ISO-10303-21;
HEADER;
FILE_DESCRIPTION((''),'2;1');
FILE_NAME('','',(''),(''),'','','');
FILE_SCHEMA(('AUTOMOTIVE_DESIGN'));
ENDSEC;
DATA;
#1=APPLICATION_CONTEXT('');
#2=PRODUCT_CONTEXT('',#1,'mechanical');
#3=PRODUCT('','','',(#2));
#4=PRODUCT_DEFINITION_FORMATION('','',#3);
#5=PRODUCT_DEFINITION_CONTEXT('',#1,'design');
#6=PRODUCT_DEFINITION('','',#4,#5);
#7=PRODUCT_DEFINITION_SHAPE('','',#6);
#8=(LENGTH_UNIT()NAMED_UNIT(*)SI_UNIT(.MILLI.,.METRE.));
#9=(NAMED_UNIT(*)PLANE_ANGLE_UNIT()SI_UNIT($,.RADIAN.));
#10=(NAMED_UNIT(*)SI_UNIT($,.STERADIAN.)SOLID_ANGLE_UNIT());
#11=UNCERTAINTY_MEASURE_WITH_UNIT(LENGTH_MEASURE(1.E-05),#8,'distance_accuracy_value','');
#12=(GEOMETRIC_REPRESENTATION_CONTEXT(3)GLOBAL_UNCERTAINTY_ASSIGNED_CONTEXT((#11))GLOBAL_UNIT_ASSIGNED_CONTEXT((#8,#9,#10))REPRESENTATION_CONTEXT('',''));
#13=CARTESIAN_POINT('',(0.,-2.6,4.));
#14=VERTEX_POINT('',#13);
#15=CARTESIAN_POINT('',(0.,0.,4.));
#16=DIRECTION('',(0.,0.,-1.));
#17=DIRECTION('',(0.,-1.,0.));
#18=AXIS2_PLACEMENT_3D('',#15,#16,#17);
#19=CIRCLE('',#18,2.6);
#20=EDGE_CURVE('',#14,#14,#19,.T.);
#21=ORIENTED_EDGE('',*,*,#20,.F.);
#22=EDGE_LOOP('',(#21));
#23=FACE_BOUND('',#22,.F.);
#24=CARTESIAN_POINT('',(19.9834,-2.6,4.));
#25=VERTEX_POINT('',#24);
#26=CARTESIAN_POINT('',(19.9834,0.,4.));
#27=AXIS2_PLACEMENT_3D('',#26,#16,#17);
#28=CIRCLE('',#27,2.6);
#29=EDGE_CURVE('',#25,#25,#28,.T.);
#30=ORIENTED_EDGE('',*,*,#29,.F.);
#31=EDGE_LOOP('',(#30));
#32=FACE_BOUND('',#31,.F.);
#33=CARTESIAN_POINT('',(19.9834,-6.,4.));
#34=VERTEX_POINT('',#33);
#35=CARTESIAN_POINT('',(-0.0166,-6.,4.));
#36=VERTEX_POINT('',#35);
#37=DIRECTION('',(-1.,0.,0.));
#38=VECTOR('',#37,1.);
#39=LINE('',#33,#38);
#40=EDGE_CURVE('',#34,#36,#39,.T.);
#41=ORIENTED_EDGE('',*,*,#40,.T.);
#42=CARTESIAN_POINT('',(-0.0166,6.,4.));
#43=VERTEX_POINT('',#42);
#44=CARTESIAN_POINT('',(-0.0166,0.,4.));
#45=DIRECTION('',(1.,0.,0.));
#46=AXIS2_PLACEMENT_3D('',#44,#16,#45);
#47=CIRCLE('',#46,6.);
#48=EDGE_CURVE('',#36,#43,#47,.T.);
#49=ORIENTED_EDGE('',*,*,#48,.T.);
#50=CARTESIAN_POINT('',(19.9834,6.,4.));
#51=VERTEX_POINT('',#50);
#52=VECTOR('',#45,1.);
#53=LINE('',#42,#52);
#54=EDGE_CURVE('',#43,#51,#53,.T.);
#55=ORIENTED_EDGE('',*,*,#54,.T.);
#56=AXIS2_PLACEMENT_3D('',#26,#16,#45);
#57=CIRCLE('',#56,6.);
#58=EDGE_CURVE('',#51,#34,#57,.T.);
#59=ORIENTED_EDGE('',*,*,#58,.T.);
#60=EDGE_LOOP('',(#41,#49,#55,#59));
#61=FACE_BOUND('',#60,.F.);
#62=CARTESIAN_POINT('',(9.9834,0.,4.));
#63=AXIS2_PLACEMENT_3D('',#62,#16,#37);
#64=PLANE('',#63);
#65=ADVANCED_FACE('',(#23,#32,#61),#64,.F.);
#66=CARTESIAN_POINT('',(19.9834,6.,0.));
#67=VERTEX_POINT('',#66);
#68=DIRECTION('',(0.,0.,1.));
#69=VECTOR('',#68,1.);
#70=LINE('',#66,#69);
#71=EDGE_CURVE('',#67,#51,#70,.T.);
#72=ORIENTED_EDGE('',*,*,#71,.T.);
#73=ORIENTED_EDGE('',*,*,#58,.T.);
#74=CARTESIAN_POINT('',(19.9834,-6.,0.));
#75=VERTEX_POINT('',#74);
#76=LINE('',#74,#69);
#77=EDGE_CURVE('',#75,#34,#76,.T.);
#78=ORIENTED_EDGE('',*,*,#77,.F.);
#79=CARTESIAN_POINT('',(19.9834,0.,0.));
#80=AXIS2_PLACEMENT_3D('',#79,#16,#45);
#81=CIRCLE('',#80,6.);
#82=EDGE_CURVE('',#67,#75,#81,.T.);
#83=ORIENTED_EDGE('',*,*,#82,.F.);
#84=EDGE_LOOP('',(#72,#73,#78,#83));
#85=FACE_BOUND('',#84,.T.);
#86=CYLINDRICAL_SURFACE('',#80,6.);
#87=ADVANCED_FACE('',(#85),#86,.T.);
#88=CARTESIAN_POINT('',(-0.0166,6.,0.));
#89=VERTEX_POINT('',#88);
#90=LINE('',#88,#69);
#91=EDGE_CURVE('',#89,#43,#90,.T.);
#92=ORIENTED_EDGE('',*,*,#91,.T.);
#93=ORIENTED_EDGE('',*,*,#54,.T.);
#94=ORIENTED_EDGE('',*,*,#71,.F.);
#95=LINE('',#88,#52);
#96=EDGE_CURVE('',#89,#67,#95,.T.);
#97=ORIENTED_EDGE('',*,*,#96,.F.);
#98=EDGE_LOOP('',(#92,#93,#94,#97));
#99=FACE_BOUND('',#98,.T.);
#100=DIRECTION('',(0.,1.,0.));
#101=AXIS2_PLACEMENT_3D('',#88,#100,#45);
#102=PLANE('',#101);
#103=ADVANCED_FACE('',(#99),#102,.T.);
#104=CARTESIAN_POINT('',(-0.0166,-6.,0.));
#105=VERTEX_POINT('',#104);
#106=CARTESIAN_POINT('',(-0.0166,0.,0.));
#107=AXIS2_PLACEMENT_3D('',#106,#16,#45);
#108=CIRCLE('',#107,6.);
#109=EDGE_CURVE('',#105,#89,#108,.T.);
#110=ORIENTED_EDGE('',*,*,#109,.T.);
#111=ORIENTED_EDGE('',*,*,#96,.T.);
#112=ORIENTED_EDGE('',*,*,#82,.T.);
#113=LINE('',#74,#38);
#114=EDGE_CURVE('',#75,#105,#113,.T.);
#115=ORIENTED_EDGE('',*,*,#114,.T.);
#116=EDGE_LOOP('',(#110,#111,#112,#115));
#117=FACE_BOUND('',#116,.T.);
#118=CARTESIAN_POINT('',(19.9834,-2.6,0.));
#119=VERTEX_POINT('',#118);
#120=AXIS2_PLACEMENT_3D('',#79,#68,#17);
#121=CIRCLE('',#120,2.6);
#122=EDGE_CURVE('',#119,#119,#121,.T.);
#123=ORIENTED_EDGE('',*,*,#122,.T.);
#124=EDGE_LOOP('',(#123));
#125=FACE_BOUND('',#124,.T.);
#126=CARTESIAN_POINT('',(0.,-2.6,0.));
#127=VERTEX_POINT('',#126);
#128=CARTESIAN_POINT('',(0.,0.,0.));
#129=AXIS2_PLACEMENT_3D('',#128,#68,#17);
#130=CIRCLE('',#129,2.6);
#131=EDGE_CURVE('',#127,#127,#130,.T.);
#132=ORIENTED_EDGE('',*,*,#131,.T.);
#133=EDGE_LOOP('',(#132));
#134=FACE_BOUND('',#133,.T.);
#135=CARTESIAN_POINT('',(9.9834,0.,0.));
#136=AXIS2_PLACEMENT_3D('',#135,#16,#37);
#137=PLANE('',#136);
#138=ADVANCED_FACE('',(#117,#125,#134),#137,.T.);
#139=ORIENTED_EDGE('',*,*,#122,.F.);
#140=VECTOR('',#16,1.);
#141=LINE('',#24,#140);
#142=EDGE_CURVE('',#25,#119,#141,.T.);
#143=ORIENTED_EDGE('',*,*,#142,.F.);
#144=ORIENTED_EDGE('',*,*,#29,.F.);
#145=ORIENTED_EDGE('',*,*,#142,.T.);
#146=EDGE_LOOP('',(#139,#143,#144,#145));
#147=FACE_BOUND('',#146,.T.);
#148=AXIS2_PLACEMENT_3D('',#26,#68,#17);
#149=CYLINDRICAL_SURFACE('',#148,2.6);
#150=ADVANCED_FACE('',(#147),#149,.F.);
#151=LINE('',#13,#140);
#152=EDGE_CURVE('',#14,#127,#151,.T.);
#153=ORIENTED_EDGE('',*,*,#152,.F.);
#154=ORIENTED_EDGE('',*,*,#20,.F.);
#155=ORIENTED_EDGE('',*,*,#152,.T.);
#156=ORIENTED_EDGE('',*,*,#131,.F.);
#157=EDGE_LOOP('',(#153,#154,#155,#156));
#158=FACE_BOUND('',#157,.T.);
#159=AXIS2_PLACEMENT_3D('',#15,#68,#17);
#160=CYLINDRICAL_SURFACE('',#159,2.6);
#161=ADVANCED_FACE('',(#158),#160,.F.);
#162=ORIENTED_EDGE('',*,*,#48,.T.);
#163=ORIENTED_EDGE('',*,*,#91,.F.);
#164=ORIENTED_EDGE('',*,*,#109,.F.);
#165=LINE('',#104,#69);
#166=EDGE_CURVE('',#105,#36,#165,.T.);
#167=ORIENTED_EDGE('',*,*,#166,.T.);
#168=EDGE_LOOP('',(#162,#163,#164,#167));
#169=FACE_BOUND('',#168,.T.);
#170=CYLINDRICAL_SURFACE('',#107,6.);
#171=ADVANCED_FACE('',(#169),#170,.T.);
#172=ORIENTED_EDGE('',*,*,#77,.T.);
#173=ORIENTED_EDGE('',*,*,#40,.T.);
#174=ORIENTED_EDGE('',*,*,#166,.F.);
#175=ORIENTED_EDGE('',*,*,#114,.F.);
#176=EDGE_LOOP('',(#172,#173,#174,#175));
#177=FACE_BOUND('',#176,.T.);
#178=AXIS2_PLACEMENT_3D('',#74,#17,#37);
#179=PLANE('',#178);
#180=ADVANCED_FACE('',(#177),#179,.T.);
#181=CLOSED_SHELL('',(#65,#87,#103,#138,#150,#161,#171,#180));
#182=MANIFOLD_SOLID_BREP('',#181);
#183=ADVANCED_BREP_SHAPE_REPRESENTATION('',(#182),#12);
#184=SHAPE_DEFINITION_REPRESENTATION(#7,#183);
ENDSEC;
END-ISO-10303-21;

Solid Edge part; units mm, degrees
sketch "Sketch1" plane through (0, 0, 0) normal (0, 0, 1) x (1, 0, 0)
  line L0 (-0.0166, 6) -> (19.9834, 6)
  arc A0 (19.9834, 6) -> (19.9834, -6) centre (19.9834, 0) cw
  line L1 (19.9834, -6) -> (-0.0166, -6)
  arc A1 (-0.0166, -6) -> (-0.0166, 6) centre (-0.0166, 0) cw
  dimension "D1" = 6
extrude "Protrusion1" add sketch "Sketch1" along normal blind 4
hole "Hole_1" at (0, 0, 4) direction (0, 0, -1) diameter 5.2 end up to next
hole "Hole1" at (19.9834, 0, 4) direction (0, 0, -1) diameter 5.2 end up to next
properties material "Aluminum, 6061-T6"
